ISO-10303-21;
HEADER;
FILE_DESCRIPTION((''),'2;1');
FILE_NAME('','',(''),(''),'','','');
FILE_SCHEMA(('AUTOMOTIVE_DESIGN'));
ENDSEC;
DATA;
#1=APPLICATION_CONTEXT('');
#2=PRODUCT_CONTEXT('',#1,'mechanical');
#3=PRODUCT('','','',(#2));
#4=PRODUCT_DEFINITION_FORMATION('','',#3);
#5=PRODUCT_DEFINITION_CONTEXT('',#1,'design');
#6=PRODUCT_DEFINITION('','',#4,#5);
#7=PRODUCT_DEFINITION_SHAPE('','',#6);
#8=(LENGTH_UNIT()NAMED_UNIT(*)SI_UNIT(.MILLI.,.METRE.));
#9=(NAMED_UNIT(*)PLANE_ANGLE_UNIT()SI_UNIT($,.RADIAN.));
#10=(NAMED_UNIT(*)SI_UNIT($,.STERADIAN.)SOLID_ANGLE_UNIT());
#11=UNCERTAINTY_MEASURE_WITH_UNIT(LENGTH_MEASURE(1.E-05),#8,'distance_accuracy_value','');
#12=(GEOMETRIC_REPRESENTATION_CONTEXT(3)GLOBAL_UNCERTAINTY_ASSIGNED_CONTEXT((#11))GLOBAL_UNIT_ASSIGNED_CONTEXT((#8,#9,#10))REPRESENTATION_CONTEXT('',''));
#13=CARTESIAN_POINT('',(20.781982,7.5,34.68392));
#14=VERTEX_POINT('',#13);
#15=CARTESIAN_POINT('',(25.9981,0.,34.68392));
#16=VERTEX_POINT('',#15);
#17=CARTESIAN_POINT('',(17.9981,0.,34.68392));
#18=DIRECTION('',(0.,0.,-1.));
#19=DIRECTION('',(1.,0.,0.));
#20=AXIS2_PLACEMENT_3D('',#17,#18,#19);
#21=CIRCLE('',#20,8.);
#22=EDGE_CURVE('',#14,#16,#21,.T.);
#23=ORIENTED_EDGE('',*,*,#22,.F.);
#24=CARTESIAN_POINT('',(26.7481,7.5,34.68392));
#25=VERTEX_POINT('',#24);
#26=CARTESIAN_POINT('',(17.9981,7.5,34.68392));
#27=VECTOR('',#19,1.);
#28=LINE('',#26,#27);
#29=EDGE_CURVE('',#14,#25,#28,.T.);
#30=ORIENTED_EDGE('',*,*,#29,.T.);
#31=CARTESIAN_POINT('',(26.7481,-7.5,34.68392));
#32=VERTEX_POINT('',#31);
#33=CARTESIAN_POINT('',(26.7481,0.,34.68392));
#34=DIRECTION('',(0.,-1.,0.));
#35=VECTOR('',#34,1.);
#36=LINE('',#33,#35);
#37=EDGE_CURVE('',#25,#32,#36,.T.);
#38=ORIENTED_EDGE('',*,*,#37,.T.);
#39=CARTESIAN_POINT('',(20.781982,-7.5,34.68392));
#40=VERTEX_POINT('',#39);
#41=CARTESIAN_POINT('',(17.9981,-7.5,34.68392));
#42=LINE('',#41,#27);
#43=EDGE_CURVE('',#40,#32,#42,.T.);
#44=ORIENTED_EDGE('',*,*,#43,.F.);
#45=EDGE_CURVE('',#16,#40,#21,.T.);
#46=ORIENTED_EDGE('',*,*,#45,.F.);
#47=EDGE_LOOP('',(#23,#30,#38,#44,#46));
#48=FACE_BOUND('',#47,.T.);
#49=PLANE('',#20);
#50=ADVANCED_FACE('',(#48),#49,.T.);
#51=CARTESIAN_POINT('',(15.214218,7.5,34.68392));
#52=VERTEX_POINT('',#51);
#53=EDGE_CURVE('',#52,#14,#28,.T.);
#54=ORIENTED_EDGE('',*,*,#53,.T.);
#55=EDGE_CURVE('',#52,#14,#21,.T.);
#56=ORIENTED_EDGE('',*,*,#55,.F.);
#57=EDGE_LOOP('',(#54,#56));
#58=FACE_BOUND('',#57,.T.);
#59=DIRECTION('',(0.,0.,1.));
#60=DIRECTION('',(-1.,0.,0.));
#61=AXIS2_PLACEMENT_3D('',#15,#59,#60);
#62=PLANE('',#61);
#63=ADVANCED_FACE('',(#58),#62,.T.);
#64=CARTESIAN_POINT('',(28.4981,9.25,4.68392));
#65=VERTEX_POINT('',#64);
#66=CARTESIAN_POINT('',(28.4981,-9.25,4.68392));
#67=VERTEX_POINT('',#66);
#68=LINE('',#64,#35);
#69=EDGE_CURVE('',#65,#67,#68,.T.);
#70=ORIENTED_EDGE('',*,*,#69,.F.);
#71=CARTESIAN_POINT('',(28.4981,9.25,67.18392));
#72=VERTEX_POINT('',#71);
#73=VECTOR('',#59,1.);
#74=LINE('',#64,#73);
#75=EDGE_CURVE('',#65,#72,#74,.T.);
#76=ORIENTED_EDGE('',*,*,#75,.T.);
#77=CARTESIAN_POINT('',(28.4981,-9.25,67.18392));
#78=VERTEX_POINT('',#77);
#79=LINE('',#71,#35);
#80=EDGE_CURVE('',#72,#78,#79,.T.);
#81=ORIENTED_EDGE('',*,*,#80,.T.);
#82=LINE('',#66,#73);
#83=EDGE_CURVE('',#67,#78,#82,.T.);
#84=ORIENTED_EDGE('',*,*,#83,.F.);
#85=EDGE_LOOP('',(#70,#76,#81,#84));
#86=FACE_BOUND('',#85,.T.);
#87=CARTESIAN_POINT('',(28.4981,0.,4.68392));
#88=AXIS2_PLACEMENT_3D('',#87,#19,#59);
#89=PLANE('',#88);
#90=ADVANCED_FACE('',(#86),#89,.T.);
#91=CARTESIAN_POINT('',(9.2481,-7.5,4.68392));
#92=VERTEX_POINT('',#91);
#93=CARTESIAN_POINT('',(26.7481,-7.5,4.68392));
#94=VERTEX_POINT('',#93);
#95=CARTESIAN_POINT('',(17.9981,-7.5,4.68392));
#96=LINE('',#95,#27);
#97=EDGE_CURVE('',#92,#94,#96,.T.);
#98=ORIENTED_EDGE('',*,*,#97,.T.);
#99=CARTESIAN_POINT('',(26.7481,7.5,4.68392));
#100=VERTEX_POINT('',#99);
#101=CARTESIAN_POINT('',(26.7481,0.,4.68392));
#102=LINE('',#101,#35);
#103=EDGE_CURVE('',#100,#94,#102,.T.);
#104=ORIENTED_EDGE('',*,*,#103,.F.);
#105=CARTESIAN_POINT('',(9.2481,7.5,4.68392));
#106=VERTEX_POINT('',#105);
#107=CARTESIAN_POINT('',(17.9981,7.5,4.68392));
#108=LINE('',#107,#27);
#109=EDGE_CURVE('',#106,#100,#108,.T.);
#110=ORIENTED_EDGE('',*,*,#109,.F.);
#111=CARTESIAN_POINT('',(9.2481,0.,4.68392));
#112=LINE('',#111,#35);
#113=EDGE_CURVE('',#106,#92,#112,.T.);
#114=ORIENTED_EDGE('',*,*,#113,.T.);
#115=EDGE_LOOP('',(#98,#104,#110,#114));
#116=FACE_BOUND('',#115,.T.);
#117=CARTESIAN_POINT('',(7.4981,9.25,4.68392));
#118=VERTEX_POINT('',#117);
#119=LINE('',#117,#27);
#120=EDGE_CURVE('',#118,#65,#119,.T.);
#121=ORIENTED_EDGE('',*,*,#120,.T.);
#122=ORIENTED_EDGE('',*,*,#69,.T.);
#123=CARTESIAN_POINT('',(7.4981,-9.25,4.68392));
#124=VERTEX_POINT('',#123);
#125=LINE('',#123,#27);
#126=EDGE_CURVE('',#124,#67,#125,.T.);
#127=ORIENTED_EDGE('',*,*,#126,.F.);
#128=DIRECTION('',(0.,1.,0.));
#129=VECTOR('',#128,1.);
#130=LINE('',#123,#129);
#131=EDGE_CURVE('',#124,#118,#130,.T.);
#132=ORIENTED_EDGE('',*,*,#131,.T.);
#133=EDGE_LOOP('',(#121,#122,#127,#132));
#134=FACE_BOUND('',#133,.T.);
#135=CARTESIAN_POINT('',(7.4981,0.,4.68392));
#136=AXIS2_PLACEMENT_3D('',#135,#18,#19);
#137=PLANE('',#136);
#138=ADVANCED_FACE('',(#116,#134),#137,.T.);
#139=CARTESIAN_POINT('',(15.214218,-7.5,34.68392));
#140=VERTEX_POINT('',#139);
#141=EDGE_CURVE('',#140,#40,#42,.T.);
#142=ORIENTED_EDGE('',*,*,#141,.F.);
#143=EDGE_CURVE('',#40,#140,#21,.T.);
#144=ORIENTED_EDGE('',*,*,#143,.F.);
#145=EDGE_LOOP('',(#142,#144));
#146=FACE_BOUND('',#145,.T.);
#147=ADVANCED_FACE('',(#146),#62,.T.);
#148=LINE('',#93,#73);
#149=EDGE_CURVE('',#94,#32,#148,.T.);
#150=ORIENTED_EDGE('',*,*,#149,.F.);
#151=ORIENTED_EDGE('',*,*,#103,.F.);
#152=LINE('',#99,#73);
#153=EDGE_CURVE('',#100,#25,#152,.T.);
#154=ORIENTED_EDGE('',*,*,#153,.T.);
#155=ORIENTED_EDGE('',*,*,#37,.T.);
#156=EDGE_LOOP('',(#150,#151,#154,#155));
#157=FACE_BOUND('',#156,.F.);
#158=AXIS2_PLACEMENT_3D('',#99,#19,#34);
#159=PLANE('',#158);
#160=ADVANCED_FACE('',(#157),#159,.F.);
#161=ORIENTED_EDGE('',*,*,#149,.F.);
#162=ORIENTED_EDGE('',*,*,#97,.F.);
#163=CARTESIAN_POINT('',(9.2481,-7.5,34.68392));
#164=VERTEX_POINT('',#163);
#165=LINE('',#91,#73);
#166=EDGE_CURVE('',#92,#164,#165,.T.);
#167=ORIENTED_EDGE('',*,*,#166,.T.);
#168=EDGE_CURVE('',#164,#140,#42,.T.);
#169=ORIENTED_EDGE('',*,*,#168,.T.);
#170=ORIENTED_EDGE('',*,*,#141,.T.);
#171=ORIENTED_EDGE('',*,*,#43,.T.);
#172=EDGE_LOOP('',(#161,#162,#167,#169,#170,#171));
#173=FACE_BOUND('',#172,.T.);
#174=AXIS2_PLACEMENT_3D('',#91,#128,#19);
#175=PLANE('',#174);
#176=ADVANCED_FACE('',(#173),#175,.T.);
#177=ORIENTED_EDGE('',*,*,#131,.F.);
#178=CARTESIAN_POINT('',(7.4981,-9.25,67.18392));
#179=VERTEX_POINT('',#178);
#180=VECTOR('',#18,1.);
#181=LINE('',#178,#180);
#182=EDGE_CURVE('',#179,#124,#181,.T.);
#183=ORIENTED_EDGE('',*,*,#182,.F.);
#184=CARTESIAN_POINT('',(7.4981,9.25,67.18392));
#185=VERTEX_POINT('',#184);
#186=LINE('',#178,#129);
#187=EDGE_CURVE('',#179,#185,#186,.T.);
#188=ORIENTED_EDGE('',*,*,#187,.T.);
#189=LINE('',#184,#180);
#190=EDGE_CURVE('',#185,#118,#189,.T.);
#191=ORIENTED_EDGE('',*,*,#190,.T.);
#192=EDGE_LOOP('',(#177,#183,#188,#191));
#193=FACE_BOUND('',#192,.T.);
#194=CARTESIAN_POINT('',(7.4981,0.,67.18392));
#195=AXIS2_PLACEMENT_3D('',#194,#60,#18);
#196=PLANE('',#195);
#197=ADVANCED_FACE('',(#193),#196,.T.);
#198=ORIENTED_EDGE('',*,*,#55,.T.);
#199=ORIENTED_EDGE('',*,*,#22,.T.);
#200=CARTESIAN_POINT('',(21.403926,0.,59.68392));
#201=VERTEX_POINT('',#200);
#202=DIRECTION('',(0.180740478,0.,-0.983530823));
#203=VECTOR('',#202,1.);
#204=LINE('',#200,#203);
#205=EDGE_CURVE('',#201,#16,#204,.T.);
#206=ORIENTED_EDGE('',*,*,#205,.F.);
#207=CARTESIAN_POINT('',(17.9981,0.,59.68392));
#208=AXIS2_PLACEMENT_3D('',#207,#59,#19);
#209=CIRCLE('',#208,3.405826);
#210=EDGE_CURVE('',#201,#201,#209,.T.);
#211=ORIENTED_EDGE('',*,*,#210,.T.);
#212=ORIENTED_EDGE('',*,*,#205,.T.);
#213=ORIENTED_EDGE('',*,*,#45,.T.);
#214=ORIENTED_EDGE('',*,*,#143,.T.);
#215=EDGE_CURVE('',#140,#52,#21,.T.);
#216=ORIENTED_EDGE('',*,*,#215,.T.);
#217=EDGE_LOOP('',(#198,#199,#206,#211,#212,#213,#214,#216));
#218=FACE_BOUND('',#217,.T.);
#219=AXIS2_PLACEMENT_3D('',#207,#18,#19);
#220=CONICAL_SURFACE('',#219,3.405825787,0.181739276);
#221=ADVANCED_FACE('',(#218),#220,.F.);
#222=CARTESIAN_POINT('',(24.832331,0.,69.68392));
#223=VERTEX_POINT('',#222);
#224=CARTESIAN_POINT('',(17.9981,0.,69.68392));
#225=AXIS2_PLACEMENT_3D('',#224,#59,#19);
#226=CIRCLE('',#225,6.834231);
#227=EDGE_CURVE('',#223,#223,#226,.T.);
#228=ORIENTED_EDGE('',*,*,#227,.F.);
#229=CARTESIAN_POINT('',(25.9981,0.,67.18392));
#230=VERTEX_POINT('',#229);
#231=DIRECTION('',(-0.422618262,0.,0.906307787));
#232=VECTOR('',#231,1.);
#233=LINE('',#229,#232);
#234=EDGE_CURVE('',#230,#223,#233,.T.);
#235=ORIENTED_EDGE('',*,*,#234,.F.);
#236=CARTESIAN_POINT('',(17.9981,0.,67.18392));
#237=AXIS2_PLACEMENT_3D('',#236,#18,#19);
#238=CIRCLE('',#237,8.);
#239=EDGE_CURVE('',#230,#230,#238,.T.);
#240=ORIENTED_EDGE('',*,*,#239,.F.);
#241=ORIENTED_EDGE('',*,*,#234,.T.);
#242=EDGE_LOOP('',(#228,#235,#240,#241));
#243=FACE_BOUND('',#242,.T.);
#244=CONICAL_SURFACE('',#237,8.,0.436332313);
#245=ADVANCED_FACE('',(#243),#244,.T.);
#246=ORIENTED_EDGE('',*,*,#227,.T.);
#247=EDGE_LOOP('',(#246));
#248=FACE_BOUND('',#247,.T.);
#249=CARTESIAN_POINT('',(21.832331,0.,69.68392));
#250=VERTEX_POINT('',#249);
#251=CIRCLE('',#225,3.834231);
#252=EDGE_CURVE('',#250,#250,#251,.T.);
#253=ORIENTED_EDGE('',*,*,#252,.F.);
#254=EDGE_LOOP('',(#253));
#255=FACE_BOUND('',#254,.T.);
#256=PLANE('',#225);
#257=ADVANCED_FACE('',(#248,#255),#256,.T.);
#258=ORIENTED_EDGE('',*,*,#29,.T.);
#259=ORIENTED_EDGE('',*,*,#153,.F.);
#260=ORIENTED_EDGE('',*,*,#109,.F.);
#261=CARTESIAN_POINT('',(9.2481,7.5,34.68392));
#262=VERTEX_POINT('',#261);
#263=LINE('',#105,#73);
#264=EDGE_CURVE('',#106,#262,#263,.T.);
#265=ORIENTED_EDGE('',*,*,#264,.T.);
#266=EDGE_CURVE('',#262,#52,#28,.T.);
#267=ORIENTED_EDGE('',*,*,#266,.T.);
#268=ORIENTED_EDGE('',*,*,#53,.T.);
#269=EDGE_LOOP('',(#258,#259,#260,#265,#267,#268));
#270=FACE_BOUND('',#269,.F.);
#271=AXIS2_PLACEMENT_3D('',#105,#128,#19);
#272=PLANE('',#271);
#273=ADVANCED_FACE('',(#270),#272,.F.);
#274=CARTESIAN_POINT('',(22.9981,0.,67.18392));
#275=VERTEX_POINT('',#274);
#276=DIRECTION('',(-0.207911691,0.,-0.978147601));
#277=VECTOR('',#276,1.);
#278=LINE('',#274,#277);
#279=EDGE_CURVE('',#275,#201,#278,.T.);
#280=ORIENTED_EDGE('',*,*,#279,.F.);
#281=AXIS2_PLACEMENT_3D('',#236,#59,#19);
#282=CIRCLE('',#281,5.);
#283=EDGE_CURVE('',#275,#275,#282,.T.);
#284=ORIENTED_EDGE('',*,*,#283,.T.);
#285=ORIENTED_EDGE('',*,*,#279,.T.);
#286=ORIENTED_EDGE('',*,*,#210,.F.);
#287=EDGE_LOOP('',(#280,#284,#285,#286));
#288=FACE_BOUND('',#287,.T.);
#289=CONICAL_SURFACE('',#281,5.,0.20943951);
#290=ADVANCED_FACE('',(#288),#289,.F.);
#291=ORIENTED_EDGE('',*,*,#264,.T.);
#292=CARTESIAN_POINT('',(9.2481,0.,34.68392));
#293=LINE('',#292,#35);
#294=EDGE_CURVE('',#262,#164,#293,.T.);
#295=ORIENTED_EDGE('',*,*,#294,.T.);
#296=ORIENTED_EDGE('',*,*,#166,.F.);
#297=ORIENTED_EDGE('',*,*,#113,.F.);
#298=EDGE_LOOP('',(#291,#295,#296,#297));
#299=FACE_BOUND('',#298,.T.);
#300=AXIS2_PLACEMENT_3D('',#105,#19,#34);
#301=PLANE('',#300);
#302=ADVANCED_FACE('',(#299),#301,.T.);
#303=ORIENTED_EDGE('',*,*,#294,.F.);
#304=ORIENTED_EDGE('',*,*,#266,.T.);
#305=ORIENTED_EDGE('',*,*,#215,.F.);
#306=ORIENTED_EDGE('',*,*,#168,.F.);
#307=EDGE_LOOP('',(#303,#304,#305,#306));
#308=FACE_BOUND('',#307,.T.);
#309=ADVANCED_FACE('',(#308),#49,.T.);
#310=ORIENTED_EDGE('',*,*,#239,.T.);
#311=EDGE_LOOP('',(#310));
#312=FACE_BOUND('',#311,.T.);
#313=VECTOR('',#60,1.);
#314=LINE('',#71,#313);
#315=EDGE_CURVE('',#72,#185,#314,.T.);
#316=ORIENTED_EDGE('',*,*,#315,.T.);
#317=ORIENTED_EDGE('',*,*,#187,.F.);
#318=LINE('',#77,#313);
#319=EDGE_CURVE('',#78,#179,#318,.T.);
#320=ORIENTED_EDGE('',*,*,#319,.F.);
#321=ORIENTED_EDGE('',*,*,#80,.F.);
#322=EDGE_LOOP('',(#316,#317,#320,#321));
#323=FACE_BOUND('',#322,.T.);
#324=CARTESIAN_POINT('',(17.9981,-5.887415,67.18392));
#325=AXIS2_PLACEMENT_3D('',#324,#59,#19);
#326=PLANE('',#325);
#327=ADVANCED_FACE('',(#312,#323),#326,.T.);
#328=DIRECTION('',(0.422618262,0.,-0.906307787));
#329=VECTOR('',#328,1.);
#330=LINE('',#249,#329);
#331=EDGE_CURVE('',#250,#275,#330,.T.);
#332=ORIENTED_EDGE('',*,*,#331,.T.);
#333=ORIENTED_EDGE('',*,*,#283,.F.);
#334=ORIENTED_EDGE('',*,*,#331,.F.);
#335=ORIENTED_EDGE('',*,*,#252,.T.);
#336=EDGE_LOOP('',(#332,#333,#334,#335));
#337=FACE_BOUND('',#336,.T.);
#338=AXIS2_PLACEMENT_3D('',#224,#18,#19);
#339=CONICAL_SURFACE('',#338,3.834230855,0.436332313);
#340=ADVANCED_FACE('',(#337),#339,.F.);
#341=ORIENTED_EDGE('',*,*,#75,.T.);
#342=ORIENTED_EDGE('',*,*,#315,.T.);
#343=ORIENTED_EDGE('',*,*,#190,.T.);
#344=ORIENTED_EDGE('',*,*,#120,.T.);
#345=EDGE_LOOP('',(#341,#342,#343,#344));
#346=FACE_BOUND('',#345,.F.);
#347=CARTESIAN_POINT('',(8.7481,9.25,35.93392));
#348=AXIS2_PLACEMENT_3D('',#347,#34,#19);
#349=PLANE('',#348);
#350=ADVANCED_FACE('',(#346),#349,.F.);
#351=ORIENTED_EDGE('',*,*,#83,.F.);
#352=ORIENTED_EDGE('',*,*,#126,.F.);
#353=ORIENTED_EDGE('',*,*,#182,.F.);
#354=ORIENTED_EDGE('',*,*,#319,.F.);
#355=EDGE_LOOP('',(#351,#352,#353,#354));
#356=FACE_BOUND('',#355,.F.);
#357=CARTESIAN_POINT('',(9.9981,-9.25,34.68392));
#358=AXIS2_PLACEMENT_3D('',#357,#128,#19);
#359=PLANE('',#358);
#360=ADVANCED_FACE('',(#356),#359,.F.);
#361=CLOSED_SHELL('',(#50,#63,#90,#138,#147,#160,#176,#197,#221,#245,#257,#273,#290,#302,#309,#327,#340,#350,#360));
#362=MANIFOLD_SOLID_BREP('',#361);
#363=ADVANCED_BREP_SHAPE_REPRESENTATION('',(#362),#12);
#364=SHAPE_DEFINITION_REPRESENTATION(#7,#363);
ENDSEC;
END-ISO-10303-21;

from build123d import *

# Parameters (mm, degrees)
F0_W     = 8
F0_H     = 30
F2_DEPTH = 9.25
F4_DEPTH = 32.5
F5_W     = 17.5
F5_H     = 15
F6_DEPTH = 30


with BuildPart() as f1:
    # F0 (on Front) → F1 (revolve)
    with BuildSketch(Plane.XZ):
        Polygon((21.4039260229, 59.6839201814), (25.9981002354, 34.6839201814), (24.4039260229, 59.6839201814), align=None)
        Polygon((24.4039260229, 59.6839201814), (25.9981002354, 67.1839201814), (22.9981002354, 67.1839201814), (21.4039260229, 59.6839201814), align=None)
        Polygon((22.9981002354, 67.1839201814), (25.9981002354, 67.1839201814), (24.83233109, 69.6839201814), (22.9981002354, 69.6839201814), align=None)
        Polygon((21.83233109, 69.6839201814), (22.9981002354, 67.1839201814), (22.9981002354, 69.6839201814), align=None)
        Polygon((24.4039260229, 59.6839201814), (25.9981002354, 34.6839201814), (25.9981002354, 67.1839201814), align=None)
    revolve(axis=Axis((17.9981002354, 0, 37.1839201814), (0, 0, 1)))

    # F0 (on Front) → F2 (join, symmetric)
    with BuildSketch(Plane.XZ):
        Polygon((7.4981002354, 4.6839201814), (9.9981002354, 4.6839201814), (9.9981002354, 34.6839201814), (9.9981002354, 67.1839201814), (7.4981002354, 67.1839201814), align=None)
        Polygon((25.9981002354, 34.6839201814), (25.9981002354, 4.6839201814), (28.4981002354, 4.6839201814), (28.4981002354, 67.1839201814), (25.9981002354, 67.1839201814), align=None)
        with Locations((13.9981002354, 19.6839201814)):
            Rectangle(F0_W, F0_H)
        with Locations((21.9981002354, 19.6839201814)):
            Rectangle(F0_W, F0_H)
    extrude(amount=F2_DEPTH, both=True)

    # F3 (on face) → F4 (join, through all)
    with BuildSketch(Plane.XY.offset(34.6839201814)):
        with BuildLine():
            Line((25.9981002354, -9.25), (25.9981002354, 0))
            ThreePointArc((25.9981002354, 0), (17.998100241, -8), (9.9981002354, -1.11e-08))
            Line((9.9981002354, -1.11e-08), (9.9981002354, -9.25))
            Line((9.9981002354, -9.25), (25.9981002354, -9.25))
        make_face()
        with BuildLine():
            ThreePointArc((9.9981002354, -1.11e-08), (17.9981002299, 8), (25.9981002354, 0))
            Line((25.9981002354, 0), (25.9981002354, 9.25))
            Line((25.9981002354, 9.25), (9.9981002354, 9.25))
            Line((9.9981002354, 9.25), (9.9981002354, -1.11e-08))
        make_face()
    extrude(amount=F4_DEPTH)

    # F5 (on face) → F6 (cut)
    with BuildSketch(Plane(origin=(0, 0, 4.6839201814), x_dir=(1, 0, 0), z_dir=(0, 0, -1))):
        with Locations((17.9981002354, 0)):
            Rectangle(F5_W, F5_H)
    extrude(amount=-F6_DEPTH, mode=Mode.SUBTRACT)


solid = f1.part
